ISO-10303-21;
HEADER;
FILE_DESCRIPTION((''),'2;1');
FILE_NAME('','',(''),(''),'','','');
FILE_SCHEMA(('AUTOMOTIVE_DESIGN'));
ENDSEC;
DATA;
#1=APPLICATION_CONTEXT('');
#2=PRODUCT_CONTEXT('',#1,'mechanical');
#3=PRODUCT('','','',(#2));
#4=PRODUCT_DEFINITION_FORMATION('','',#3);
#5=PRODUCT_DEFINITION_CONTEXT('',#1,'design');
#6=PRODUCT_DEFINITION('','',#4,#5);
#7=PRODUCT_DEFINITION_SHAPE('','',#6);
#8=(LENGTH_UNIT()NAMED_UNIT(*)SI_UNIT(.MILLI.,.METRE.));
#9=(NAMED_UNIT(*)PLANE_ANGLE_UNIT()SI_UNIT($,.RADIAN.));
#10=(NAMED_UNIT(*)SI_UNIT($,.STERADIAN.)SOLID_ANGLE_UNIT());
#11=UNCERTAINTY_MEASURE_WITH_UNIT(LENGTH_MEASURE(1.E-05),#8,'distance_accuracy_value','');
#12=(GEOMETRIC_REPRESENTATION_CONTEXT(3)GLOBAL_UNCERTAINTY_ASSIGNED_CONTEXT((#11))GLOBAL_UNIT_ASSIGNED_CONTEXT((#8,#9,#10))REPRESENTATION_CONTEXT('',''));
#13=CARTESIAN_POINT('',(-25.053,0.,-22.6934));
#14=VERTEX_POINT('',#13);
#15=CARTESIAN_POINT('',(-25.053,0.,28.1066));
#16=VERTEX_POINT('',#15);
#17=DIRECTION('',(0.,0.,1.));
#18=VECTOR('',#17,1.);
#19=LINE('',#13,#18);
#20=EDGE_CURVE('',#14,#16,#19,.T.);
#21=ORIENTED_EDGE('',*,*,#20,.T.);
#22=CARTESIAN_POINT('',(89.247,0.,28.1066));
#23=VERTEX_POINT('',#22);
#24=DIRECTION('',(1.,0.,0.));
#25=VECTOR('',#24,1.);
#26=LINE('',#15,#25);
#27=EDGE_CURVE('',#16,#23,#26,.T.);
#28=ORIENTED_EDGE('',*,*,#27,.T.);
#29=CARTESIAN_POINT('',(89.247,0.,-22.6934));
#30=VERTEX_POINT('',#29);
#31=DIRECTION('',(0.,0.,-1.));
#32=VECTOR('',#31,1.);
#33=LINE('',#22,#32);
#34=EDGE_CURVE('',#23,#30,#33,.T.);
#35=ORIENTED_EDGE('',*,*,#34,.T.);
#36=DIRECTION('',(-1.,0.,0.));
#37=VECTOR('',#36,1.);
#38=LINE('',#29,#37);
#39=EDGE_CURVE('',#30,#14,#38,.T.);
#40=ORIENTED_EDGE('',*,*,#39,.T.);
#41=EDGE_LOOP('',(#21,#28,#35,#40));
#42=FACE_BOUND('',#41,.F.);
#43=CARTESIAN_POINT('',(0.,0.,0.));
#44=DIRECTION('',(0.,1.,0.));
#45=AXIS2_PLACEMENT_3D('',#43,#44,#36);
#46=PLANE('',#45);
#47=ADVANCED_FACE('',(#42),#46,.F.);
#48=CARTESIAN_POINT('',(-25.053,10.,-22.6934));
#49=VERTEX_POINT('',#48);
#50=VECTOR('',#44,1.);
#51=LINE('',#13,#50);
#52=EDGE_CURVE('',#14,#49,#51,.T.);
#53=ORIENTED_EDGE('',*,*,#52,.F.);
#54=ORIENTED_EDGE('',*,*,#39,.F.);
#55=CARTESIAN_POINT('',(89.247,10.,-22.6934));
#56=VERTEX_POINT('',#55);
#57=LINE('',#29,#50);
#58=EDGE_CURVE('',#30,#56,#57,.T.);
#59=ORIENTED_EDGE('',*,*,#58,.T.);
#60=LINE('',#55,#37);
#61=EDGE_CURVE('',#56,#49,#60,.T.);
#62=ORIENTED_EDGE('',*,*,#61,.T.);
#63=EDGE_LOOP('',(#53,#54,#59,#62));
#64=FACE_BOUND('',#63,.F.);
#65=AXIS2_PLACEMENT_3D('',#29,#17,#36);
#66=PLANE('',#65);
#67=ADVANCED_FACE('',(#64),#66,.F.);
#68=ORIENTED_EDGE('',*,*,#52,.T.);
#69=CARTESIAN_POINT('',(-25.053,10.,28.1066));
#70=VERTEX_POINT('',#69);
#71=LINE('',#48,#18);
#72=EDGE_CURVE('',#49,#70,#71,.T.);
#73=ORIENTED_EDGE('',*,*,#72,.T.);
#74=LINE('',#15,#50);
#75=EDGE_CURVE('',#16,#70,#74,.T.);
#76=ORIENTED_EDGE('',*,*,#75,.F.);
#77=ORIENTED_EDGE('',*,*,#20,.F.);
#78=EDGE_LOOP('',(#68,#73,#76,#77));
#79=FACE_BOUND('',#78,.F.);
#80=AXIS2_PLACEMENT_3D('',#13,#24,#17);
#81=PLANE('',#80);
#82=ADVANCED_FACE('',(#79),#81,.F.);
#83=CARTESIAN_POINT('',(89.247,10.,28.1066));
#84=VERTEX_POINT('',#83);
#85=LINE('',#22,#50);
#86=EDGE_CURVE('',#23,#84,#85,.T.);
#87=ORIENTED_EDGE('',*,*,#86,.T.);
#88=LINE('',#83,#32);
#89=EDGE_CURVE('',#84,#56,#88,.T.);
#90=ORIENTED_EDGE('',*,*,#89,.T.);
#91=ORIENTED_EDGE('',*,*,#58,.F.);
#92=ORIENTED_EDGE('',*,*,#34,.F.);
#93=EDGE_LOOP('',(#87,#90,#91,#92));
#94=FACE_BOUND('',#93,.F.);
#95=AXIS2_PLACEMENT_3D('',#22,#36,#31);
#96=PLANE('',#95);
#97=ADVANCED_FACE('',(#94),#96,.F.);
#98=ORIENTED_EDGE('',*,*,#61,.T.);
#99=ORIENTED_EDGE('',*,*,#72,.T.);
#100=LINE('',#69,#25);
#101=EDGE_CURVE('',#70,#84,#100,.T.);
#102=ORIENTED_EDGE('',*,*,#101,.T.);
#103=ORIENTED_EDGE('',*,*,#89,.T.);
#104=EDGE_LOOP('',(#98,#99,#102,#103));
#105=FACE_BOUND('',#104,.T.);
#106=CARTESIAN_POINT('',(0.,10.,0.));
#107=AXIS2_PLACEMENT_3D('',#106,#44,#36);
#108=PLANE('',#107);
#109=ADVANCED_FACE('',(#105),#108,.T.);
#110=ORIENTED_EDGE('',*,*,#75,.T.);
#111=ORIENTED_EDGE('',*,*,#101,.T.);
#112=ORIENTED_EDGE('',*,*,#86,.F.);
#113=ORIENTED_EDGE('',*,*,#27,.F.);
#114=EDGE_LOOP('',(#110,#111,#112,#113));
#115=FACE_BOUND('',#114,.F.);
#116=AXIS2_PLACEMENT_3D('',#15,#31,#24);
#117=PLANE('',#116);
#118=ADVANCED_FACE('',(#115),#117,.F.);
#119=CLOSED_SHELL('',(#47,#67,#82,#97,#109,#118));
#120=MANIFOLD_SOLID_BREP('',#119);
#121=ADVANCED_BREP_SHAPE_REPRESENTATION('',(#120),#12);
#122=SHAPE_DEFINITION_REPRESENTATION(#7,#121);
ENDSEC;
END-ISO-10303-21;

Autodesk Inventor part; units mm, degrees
ref_plane "YZ Plane" through (0, 0, 0) normal (1, 0, 0) x (0, 1, 0)
ref_plane "XZ Plane" through (0, 0, 0) normal (0, 1, 0) x (-1, 0, 0)
ref_plane "XY Plane" through (0, 0, 0) normal (0, 0, 1) x (1, 0, 0)
sketch "Sketch1" plane through (0, 0, 0) normal (0, 1, 0) x (-1, 0, 0)
  line L0 (25.053, 28.1066) -> (-89.247, 28.1066)
  line L1 (-89.247, 28.1066) -> (-89.247, -22.6934)
  line L2 (-89.247, -22.6934) -> (25.053, -22.6934)
  line L3 (25.053, -22.6934) -> (25.053, 28.1066)
  point P0 (0, 0)
  dimension "d0" = 50.8
  dimension "d1" = 114.3
extrude "Extrusion1" add sketch "Sketch1" along normal blind 10
properties part number "DishOld"
